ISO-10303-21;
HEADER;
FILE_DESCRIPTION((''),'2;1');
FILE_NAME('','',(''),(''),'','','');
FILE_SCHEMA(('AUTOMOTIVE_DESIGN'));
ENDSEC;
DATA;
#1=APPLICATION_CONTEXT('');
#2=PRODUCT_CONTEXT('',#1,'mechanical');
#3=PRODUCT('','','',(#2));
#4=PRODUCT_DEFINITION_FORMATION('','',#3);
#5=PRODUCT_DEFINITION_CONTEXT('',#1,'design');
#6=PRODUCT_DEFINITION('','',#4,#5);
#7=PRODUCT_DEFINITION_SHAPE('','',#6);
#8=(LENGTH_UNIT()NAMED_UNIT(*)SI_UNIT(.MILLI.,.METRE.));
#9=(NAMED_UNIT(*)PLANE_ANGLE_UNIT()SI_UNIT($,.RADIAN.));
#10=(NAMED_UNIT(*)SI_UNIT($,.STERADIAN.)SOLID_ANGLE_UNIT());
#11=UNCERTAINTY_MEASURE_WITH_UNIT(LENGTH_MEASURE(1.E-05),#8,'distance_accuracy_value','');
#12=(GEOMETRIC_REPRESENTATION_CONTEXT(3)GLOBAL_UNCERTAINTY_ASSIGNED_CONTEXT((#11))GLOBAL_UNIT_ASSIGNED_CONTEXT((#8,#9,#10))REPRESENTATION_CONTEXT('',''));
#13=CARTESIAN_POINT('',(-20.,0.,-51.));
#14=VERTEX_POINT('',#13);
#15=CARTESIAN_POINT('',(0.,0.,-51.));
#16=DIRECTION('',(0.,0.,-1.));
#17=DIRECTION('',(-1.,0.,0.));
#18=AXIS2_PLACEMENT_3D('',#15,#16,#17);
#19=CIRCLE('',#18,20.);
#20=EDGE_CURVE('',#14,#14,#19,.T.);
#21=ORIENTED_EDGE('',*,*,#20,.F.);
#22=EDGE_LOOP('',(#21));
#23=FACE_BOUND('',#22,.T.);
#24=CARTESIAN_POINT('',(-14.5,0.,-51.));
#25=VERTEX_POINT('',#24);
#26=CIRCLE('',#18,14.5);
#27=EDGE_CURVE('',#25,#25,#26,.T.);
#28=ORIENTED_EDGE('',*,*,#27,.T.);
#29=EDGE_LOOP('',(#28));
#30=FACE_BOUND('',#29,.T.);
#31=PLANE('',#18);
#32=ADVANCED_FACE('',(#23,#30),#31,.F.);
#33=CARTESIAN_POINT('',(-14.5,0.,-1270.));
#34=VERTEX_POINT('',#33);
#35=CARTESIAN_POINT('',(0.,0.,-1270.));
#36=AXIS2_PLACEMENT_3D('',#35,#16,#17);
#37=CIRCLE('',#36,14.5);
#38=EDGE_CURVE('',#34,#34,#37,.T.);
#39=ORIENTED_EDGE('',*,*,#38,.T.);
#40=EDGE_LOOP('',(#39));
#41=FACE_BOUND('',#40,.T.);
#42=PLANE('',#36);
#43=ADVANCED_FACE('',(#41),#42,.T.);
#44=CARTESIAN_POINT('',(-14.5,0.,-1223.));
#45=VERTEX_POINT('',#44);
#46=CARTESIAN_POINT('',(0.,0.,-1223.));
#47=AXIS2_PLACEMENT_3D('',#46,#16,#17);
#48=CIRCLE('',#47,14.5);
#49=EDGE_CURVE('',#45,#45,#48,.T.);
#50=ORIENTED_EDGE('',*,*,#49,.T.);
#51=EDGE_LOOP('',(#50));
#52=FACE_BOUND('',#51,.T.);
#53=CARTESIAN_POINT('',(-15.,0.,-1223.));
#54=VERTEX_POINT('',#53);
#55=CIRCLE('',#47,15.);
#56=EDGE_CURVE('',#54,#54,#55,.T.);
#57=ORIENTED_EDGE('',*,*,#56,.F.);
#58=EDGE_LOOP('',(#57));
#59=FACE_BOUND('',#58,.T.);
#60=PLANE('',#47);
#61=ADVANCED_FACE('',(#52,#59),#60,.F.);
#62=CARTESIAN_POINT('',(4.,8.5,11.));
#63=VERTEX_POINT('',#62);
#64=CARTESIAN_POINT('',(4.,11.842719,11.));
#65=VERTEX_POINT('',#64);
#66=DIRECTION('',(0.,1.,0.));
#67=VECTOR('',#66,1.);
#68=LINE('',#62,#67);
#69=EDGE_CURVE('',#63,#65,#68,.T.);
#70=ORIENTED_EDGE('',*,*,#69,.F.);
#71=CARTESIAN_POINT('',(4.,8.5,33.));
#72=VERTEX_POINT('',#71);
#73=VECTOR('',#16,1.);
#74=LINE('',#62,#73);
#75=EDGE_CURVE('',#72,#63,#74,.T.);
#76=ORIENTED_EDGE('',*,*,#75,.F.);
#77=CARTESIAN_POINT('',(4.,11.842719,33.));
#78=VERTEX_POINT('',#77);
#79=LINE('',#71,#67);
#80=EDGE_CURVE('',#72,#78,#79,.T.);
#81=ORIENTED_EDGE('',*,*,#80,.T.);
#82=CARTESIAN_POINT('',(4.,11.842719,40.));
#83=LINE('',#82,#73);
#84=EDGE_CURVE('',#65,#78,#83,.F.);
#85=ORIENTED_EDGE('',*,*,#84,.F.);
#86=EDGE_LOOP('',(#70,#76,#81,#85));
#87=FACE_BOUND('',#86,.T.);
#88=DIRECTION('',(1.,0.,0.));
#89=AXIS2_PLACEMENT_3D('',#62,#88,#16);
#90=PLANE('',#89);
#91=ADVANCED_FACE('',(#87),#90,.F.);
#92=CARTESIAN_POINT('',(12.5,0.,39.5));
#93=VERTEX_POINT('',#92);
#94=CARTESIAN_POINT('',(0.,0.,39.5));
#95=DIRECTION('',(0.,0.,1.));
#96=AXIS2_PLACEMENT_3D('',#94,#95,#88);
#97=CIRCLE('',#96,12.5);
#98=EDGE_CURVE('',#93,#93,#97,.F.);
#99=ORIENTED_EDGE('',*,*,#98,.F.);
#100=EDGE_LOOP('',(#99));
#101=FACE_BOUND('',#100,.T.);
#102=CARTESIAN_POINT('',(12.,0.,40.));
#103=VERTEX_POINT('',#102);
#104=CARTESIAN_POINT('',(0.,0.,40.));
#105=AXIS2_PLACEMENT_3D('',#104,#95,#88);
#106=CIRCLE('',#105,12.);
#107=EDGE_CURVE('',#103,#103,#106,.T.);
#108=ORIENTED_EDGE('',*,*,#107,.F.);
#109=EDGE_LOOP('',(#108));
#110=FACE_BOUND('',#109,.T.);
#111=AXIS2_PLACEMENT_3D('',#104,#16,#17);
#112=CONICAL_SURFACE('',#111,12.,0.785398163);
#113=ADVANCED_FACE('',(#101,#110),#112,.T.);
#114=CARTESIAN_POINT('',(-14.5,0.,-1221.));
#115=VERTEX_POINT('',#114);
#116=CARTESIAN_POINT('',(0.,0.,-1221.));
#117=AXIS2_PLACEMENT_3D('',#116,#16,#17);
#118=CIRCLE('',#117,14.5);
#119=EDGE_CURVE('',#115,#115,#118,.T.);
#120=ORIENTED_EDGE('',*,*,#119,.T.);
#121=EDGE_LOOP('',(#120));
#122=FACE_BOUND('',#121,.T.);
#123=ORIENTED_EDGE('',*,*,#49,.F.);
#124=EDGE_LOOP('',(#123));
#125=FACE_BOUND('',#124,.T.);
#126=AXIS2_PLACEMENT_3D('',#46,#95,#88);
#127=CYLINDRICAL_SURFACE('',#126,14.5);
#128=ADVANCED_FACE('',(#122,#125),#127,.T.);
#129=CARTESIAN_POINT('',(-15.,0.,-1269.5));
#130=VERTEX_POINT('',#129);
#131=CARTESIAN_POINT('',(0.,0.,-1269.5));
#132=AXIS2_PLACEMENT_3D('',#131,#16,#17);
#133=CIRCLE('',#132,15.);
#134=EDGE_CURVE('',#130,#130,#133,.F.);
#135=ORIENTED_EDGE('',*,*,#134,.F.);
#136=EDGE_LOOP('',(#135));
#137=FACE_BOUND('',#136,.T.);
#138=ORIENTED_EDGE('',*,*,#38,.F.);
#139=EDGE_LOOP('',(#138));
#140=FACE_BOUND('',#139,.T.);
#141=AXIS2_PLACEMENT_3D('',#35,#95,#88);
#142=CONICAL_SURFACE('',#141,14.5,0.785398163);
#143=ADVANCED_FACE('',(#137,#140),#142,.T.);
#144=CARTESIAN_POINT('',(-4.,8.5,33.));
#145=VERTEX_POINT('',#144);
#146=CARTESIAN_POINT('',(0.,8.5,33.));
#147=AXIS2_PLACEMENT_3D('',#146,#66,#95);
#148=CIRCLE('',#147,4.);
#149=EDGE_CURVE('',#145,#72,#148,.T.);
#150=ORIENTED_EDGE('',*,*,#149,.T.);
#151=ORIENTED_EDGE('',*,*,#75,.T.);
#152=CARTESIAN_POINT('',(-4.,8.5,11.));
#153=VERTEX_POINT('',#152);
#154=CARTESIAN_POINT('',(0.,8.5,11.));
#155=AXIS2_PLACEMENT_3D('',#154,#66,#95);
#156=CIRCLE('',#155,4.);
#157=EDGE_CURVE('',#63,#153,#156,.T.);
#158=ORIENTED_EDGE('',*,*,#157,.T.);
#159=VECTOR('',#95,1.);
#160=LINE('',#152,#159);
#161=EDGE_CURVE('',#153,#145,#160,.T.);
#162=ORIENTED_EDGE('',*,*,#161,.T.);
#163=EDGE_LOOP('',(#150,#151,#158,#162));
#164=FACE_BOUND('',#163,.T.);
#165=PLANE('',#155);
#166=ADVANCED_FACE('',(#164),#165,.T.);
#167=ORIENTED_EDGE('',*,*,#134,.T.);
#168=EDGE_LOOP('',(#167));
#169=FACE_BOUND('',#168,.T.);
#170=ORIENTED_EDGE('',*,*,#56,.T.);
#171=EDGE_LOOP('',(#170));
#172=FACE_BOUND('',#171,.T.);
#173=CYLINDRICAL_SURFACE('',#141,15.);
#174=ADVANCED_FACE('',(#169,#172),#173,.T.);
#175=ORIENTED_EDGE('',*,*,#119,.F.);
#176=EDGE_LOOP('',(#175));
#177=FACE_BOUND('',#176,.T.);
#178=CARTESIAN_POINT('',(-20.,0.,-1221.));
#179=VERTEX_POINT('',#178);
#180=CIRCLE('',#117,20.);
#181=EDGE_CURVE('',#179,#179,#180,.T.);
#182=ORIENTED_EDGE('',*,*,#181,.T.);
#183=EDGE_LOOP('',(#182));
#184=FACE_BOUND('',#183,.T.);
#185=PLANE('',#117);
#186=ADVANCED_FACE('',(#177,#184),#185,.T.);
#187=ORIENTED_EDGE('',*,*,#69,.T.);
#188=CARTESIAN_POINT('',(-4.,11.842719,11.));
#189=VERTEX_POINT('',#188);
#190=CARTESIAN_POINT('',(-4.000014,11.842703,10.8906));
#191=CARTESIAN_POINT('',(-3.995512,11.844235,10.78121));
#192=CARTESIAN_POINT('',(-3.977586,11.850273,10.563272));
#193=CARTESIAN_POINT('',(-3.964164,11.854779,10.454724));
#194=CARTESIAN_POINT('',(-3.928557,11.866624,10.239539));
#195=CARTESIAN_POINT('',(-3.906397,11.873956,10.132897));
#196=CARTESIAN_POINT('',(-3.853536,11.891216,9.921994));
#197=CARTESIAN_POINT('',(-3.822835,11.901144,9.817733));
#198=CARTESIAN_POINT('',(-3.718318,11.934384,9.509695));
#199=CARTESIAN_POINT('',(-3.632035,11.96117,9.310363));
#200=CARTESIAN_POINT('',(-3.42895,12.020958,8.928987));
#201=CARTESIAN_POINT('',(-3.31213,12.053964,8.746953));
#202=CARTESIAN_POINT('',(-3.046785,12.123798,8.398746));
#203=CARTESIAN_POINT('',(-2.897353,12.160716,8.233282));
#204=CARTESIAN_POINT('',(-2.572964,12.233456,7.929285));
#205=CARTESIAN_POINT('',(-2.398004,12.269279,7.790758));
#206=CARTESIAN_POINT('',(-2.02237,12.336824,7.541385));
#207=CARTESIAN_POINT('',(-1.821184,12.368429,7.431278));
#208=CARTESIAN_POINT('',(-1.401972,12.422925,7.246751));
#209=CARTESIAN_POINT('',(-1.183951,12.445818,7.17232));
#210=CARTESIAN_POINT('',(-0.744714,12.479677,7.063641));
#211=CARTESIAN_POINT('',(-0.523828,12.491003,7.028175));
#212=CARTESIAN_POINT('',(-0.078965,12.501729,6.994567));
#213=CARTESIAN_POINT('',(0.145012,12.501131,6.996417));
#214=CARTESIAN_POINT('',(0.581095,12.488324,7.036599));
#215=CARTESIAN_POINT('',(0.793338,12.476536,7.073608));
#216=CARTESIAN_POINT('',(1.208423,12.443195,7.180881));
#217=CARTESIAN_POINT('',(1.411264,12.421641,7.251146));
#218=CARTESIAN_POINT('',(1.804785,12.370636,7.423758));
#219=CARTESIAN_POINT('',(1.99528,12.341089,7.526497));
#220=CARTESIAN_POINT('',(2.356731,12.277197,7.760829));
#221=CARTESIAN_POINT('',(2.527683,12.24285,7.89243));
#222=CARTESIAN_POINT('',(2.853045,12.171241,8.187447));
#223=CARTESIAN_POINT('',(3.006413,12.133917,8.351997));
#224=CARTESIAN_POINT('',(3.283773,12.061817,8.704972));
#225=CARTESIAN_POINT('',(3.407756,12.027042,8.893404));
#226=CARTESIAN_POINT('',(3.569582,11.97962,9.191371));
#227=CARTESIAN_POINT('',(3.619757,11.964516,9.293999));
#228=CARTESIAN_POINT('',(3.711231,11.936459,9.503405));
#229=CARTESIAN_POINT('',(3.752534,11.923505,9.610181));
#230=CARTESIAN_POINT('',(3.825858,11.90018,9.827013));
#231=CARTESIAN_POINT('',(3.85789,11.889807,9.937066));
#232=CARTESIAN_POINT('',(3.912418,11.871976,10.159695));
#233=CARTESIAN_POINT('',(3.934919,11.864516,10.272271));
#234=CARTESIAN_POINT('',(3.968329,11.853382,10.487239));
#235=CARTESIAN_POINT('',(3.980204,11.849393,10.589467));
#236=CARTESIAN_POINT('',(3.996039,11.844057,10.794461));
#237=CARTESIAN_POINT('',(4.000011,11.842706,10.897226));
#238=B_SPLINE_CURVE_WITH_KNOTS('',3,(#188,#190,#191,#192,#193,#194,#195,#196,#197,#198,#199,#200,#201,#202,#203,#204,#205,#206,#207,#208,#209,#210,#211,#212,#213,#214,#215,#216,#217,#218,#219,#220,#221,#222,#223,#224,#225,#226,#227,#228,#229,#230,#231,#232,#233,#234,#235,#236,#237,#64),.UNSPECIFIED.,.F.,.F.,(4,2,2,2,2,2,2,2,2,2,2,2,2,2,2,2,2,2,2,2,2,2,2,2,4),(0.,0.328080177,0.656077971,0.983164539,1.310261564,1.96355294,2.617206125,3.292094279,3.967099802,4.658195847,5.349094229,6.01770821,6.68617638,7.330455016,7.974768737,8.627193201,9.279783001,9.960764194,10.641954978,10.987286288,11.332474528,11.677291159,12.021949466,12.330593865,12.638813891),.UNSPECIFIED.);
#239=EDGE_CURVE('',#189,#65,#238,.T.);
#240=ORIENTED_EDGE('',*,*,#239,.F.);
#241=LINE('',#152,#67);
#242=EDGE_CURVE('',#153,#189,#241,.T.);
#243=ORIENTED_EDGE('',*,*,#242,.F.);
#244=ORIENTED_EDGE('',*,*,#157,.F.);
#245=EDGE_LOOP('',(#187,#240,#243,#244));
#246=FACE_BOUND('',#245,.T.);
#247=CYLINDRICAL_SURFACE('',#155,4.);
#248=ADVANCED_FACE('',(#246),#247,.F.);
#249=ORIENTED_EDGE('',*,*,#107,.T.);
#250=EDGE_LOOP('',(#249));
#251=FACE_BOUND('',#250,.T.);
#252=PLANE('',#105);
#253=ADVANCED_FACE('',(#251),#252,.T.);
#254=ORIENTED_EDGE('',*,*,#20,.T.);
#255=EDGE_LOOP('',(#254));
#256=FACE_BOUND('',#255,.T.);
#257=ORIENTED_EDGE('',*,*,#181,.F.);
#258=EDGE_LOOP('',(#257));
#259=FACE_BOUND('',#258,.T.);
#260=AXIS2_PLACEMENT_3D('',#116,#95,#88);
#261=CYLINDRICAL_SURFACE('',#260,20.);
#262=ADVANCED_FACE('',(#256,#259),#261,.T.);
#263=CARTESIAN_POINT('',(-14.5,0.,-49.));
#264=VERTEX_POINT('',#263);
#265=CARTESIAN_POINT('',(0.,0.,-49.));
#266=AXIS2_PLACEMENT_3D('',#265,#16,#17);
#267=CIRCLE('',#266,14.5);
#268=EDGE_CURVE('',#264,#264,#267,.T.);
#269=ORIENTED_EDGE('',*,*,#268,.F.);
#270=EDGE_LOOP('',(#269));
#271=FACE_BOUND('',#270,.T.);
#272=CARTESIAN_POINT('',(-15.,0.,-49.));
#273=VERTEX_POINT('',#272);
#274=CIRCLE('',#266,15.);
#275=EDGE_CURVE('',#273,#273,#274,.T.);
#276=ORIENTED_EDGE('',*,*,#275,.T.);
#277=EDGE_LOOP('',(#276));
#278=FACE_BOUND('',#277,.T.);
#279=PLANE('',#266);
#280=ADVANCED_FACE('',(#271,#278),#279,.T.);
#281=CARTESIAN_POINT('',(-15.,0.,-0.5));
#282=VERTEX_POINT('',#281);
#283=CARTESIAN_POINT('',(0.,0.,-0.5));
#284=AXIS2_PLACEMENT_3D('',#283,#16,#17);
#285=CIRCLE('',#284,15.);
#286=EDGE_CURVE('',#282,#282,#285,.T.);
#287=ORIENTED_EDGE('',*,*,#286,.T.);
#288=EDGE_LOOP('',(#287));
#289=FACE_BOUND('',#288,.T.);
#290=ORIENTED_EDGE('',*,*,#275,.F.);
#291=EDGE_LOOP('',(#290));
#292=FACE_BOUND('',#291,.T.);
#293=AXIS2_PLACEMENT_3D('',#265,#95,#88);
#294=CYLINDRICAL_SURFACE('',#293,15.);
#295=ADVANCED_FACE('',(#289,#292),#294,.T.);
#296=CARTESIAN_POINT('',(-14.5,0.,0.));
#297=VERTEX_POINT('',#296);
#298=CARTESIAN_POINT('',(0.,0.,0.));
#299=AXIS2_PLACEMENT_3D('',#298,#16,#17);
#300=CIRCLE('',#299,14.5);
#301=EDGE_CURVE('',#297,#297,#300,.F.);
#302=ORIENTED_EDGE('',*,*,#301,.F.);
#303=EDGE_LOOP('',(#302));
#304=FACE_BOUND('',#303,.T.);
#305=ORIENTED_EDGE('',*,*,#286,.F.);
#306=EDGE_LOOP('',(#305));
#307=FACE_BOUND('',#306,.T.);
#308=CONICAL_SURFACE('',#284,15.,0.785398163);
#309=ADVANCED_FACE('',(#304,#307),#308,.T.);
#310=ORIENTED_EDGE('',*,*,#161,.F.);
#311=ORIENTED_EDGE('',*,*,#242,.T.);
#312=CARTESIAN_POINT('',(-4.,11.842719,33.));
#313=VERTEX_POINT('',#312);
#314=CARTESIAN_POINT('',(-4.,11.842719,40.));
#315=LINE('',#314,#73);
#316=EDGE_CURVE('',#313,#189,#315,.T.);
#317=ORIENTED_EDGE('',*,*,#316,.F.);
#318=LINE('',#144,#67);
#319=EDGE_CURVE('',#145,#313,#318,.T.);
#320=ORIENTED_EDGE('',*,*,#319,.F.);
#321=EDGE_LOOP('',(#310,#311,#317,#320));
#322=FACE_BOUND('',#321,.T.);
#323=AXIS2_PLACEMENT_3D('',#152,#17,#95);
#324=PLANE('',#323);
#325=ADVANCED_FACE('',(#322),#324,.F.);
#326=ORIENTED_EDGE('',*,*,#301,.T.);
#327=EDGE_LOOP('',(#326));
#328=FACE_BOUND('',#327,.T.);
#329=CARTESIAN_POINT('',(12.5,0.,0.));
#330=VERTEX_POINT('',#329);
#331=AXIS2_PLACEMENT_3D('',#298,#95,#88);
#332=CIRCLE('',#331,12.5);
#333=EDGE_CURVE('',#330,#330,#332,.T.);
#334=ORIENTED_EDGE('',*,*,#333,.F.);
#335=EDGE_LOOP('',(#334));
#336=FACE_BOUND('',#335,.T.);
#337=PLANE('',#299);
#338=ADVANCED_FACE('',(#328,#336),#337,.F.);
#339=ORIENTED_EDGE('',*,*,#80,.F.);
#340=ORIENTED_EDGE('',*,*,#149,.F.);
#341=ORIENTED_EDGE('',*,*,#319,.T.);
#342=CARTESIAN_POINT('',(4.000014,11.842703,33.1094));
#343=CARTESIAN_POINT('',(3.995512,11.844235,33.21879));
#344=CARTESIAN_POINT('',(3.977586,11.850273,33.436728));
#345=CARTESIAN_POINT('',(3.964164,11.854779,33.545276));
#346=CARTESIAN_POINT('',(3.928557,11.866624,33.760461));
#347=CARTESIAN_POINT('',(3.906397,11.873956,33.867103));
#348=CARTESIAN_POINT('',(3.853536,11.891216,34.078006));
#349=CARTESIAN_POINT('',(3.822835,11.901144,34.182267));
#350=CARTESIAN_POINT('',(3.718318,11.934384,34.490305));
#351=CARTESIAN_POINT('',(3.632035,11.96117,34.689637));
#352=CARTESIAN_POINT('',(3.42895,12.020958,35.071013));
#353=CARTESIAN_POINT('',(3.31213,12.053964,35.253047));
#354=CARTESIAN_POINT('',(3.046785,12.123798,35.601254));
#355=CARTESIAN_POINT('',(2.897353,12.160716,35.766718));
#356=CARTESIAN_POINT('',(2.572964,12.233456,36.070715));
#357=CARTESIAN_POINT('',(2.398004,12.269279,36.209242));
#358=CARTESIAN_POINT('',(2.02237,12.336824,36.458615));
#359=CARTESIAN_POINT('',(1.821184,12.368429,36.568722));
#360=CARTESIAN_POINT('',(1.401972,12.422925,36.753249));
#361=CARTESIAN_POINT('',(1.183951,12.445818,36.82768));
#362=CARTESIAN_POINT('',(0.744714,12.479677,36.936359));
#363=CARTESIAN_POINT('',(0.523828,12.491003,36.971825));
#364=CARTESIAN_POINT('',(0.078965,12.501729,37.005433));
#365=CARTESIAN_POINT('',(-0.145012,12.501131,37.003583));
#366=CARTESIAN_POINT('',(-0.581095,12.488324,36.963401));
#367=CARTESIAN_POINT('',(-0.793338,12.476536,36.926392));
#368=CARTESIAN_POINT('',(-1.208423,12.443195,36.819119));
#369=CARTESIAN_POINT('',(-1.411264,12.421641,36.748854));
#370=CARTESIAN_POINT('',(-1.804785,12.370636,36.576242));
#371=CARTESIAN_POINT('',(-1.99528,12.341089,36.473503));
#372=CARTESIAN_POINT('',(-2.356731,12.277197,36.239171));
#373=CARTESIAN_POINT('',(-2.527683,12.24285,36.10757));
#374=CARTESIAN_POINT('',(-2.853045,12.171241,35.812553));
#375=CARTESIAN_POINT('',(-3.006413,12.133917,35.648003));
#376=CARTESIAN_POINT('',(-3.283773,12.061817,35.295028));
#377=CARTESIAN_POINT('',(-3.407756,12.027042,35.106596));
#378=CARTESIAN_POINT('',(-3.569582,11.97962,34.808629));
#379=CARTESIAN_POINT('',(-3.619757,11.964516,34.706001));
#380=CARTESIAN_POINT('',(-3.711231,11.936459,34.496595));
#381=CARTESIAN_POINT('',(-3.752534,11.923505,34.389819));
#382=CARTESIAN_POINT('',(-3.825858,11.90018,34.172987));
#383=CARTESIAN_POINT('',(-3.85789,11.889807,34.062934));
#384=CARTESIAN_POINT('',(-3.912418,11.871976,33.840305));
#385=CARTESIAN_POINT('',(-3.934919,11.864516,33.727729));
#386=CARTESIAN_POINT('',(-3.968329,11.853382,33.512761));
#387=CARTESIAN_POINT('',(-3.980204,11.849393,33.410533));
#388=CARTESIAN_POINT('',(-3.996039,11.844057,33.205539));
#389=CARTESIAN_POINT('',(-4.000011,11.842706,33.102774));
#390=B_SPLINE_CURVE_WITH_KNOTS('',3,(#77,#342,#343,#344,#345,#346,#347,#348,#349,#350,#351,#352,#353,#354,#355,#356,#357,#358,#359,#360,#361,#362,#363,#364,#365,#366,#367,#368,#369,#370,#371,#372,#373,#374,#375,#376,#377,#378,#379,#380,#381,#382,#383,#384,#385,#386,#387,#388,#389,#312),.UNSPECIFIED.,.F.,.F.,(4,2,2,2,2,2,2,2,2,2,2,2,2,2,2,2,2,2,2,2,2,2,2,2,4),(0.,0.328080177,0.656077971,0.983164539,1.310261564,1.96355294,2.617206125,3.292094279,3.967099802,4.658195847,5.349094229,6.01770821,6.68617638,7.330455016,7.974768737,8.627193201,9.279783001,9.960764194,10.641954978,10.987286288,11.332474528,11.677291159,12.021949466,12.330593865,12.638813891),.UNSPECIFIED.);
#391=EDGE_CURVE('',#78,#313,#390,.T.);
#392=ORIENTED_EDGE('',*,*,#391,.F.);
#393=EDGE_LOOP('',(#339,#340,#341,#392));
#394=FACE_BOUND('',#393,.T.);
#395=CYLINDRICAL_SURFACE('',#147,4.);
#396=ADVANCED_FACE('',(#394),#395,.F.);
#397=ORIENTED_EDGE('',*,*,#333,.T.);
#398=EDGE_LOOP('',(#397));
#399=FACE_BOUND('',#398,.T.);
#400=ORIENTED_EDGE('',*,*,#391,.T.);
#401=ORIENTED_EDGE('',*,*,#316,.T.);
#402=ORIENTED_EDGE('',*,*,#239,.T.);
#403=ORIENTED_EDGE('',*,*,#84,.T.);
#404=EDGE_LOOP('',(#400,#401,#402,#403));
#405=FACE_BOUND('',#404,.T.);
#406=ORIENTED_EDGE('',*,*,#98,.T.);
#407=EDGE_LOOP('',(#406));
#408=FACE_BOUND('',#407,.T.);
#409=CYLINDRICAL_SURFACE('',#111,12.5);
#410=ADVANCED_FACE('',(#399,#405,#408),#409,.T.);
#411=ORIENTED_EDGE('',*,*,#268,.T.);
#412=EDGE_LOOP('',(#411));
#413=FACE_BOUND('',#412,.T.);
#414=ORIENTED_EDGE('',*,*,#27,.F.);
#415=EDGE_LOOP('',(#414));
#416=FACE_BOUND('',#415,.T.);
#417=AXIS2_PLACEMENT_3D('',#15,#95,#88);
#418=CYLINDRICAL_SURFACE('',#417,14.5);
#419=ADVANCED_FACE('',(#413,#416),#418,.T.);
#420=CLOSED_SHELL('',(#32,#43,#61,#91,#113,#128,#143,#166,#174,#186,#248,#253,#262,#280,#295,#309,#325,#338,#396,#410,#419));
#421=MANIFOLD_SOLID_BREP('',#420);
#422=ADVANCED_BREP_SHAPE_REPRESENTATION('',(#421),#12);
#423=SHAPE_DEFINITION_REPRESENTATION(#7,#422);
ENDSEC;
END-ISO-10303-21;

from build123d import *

# Parameters (mm, degrees)
SKETCH_1_R          = 12.5
EXTRUDE_1_DEPTH     = 40
CHAMFER_1_SIZE      = 0.5
CUT_EXTRUDE_1_DEPTH = 4
SKETCH_4_R          = 15
EXTRUDE_2_DEPTH     = 49
CHAMFER_2_SIZE      = 0.5
SKETCH_7_R          = 14.5
EXTRUDE_3_DEPTH     = 2
SKETCH_8_R          = 20
EXTRUDE_4_DEPTH     = 1170
SKETCH_9_R          = 14.5
EXTRUDE_5_DEPTH     = 2
SKETCH_10_R         = 15
EXTRUDE_6_DEPTH     = 47
CHAMFER_3_SIZE      = 0.5


with BuildPart() as part:
    # 草图1 → 凸台-拉伸1 (new body)
    with BuildSketch(Plane.XY):
        Circle(SKETCH_1_R)
    extrude(amount=EXTRUDE_1_DEPTH)

    # 倒角1
    chamfer_1_edges = [part.edges().sort_by_distance(p)[0] for p in [
        (-12.5, 0, 40),
    ]]
    chamfer(chamfer_1_edges, length=CHAMFER_1_SIZE)

    # 草图3 → 切除-拉伸1 (cut)
    with BuildSketch(Plane(origin=(0, 12.5, 0), x_dir=(1, 0, 0), z_dir=(0, 1, 0))):
        with BuildLine():
            Line((4, -11), (4, -33))
            ThreePointArc((4, -33), (0, -37), (-4, -33))
            Line((-4, -33), (-4, -11))
            ThreePointArc((-4, -11), (0, -7), (4, -11))
        make_face()
    extrude(amount=-CUT_EXTRUDE_1_DEPTH, mode=Mode.SUBTRACT)

    # 草图4 → 凸台-拉伸2 (add)
    with BuildSketch(Plane(origin=(0, 0, 0), x_dir=(-1, 0, 0), z_dir=(0, 0, -1))):
        Circle(SKETCH_4_R)
    extrude(amount=EXTRUDE_2_DEPTH)

    # 倒角2
    chamfer_2_edges = [part.edges().sort_by_distance(p)[0] for p in [
        (15, 0, 0),
    ]]
    chamfer(chamfer_2_edges, length=CHAMFER_2_SIZE)

    # 草图7 → 凸台-拉伸3 (add)
    with BuildSketch(Plane(origin=(0, 0, -49), x_dir=(-1, 0, 0), z_dir=(0, 0, -1))):
        Circle(SKETCH_7_R)
    extrude(amount=EXTRUDE_3_DEPTH)

    # 草图8 → 凸台-拉伸4 (add)
    with BuildSketch(Plane(origin=(0, 0, -51), x_dir=(-1, 0, 0), z_dir=(0, 0, -1))):
        Circle(SKETCH_8_R)
    extrude(amount=EXTRUDE_4_DEPTH)

    # 草图9 → 凸台-拉伸5 (add)
    with BuildSketch(Plane(origin=(0, 0, -1221), x_dir=(-1, 0, 0), z_dir=(0, 0, -1))):
        Circle(SKETCH_9_R)
    extrude(amount=EXTRUDE_5_DEPTH)

    # 草图10 → 凸台-拉伸6 (add)
    with BuildSketch(Plane(origin=(0, 0, -1223), x_dir=(-1, 0, 0), z_dir=(0, 0, -1))):
        Circle(SKETCH_10_R)
    extrude(amount=EXTRUDE_6_DEPTH)

    # 倒角3
    chamfer_3_edges = [part.edges().sort_by_distance(p)[0] for p in [
        (15, 0, -1270),
    ]]
    chamfer(chamfer_3_edges, length=CHAMFER_3_SIZE)


solid = part.part
